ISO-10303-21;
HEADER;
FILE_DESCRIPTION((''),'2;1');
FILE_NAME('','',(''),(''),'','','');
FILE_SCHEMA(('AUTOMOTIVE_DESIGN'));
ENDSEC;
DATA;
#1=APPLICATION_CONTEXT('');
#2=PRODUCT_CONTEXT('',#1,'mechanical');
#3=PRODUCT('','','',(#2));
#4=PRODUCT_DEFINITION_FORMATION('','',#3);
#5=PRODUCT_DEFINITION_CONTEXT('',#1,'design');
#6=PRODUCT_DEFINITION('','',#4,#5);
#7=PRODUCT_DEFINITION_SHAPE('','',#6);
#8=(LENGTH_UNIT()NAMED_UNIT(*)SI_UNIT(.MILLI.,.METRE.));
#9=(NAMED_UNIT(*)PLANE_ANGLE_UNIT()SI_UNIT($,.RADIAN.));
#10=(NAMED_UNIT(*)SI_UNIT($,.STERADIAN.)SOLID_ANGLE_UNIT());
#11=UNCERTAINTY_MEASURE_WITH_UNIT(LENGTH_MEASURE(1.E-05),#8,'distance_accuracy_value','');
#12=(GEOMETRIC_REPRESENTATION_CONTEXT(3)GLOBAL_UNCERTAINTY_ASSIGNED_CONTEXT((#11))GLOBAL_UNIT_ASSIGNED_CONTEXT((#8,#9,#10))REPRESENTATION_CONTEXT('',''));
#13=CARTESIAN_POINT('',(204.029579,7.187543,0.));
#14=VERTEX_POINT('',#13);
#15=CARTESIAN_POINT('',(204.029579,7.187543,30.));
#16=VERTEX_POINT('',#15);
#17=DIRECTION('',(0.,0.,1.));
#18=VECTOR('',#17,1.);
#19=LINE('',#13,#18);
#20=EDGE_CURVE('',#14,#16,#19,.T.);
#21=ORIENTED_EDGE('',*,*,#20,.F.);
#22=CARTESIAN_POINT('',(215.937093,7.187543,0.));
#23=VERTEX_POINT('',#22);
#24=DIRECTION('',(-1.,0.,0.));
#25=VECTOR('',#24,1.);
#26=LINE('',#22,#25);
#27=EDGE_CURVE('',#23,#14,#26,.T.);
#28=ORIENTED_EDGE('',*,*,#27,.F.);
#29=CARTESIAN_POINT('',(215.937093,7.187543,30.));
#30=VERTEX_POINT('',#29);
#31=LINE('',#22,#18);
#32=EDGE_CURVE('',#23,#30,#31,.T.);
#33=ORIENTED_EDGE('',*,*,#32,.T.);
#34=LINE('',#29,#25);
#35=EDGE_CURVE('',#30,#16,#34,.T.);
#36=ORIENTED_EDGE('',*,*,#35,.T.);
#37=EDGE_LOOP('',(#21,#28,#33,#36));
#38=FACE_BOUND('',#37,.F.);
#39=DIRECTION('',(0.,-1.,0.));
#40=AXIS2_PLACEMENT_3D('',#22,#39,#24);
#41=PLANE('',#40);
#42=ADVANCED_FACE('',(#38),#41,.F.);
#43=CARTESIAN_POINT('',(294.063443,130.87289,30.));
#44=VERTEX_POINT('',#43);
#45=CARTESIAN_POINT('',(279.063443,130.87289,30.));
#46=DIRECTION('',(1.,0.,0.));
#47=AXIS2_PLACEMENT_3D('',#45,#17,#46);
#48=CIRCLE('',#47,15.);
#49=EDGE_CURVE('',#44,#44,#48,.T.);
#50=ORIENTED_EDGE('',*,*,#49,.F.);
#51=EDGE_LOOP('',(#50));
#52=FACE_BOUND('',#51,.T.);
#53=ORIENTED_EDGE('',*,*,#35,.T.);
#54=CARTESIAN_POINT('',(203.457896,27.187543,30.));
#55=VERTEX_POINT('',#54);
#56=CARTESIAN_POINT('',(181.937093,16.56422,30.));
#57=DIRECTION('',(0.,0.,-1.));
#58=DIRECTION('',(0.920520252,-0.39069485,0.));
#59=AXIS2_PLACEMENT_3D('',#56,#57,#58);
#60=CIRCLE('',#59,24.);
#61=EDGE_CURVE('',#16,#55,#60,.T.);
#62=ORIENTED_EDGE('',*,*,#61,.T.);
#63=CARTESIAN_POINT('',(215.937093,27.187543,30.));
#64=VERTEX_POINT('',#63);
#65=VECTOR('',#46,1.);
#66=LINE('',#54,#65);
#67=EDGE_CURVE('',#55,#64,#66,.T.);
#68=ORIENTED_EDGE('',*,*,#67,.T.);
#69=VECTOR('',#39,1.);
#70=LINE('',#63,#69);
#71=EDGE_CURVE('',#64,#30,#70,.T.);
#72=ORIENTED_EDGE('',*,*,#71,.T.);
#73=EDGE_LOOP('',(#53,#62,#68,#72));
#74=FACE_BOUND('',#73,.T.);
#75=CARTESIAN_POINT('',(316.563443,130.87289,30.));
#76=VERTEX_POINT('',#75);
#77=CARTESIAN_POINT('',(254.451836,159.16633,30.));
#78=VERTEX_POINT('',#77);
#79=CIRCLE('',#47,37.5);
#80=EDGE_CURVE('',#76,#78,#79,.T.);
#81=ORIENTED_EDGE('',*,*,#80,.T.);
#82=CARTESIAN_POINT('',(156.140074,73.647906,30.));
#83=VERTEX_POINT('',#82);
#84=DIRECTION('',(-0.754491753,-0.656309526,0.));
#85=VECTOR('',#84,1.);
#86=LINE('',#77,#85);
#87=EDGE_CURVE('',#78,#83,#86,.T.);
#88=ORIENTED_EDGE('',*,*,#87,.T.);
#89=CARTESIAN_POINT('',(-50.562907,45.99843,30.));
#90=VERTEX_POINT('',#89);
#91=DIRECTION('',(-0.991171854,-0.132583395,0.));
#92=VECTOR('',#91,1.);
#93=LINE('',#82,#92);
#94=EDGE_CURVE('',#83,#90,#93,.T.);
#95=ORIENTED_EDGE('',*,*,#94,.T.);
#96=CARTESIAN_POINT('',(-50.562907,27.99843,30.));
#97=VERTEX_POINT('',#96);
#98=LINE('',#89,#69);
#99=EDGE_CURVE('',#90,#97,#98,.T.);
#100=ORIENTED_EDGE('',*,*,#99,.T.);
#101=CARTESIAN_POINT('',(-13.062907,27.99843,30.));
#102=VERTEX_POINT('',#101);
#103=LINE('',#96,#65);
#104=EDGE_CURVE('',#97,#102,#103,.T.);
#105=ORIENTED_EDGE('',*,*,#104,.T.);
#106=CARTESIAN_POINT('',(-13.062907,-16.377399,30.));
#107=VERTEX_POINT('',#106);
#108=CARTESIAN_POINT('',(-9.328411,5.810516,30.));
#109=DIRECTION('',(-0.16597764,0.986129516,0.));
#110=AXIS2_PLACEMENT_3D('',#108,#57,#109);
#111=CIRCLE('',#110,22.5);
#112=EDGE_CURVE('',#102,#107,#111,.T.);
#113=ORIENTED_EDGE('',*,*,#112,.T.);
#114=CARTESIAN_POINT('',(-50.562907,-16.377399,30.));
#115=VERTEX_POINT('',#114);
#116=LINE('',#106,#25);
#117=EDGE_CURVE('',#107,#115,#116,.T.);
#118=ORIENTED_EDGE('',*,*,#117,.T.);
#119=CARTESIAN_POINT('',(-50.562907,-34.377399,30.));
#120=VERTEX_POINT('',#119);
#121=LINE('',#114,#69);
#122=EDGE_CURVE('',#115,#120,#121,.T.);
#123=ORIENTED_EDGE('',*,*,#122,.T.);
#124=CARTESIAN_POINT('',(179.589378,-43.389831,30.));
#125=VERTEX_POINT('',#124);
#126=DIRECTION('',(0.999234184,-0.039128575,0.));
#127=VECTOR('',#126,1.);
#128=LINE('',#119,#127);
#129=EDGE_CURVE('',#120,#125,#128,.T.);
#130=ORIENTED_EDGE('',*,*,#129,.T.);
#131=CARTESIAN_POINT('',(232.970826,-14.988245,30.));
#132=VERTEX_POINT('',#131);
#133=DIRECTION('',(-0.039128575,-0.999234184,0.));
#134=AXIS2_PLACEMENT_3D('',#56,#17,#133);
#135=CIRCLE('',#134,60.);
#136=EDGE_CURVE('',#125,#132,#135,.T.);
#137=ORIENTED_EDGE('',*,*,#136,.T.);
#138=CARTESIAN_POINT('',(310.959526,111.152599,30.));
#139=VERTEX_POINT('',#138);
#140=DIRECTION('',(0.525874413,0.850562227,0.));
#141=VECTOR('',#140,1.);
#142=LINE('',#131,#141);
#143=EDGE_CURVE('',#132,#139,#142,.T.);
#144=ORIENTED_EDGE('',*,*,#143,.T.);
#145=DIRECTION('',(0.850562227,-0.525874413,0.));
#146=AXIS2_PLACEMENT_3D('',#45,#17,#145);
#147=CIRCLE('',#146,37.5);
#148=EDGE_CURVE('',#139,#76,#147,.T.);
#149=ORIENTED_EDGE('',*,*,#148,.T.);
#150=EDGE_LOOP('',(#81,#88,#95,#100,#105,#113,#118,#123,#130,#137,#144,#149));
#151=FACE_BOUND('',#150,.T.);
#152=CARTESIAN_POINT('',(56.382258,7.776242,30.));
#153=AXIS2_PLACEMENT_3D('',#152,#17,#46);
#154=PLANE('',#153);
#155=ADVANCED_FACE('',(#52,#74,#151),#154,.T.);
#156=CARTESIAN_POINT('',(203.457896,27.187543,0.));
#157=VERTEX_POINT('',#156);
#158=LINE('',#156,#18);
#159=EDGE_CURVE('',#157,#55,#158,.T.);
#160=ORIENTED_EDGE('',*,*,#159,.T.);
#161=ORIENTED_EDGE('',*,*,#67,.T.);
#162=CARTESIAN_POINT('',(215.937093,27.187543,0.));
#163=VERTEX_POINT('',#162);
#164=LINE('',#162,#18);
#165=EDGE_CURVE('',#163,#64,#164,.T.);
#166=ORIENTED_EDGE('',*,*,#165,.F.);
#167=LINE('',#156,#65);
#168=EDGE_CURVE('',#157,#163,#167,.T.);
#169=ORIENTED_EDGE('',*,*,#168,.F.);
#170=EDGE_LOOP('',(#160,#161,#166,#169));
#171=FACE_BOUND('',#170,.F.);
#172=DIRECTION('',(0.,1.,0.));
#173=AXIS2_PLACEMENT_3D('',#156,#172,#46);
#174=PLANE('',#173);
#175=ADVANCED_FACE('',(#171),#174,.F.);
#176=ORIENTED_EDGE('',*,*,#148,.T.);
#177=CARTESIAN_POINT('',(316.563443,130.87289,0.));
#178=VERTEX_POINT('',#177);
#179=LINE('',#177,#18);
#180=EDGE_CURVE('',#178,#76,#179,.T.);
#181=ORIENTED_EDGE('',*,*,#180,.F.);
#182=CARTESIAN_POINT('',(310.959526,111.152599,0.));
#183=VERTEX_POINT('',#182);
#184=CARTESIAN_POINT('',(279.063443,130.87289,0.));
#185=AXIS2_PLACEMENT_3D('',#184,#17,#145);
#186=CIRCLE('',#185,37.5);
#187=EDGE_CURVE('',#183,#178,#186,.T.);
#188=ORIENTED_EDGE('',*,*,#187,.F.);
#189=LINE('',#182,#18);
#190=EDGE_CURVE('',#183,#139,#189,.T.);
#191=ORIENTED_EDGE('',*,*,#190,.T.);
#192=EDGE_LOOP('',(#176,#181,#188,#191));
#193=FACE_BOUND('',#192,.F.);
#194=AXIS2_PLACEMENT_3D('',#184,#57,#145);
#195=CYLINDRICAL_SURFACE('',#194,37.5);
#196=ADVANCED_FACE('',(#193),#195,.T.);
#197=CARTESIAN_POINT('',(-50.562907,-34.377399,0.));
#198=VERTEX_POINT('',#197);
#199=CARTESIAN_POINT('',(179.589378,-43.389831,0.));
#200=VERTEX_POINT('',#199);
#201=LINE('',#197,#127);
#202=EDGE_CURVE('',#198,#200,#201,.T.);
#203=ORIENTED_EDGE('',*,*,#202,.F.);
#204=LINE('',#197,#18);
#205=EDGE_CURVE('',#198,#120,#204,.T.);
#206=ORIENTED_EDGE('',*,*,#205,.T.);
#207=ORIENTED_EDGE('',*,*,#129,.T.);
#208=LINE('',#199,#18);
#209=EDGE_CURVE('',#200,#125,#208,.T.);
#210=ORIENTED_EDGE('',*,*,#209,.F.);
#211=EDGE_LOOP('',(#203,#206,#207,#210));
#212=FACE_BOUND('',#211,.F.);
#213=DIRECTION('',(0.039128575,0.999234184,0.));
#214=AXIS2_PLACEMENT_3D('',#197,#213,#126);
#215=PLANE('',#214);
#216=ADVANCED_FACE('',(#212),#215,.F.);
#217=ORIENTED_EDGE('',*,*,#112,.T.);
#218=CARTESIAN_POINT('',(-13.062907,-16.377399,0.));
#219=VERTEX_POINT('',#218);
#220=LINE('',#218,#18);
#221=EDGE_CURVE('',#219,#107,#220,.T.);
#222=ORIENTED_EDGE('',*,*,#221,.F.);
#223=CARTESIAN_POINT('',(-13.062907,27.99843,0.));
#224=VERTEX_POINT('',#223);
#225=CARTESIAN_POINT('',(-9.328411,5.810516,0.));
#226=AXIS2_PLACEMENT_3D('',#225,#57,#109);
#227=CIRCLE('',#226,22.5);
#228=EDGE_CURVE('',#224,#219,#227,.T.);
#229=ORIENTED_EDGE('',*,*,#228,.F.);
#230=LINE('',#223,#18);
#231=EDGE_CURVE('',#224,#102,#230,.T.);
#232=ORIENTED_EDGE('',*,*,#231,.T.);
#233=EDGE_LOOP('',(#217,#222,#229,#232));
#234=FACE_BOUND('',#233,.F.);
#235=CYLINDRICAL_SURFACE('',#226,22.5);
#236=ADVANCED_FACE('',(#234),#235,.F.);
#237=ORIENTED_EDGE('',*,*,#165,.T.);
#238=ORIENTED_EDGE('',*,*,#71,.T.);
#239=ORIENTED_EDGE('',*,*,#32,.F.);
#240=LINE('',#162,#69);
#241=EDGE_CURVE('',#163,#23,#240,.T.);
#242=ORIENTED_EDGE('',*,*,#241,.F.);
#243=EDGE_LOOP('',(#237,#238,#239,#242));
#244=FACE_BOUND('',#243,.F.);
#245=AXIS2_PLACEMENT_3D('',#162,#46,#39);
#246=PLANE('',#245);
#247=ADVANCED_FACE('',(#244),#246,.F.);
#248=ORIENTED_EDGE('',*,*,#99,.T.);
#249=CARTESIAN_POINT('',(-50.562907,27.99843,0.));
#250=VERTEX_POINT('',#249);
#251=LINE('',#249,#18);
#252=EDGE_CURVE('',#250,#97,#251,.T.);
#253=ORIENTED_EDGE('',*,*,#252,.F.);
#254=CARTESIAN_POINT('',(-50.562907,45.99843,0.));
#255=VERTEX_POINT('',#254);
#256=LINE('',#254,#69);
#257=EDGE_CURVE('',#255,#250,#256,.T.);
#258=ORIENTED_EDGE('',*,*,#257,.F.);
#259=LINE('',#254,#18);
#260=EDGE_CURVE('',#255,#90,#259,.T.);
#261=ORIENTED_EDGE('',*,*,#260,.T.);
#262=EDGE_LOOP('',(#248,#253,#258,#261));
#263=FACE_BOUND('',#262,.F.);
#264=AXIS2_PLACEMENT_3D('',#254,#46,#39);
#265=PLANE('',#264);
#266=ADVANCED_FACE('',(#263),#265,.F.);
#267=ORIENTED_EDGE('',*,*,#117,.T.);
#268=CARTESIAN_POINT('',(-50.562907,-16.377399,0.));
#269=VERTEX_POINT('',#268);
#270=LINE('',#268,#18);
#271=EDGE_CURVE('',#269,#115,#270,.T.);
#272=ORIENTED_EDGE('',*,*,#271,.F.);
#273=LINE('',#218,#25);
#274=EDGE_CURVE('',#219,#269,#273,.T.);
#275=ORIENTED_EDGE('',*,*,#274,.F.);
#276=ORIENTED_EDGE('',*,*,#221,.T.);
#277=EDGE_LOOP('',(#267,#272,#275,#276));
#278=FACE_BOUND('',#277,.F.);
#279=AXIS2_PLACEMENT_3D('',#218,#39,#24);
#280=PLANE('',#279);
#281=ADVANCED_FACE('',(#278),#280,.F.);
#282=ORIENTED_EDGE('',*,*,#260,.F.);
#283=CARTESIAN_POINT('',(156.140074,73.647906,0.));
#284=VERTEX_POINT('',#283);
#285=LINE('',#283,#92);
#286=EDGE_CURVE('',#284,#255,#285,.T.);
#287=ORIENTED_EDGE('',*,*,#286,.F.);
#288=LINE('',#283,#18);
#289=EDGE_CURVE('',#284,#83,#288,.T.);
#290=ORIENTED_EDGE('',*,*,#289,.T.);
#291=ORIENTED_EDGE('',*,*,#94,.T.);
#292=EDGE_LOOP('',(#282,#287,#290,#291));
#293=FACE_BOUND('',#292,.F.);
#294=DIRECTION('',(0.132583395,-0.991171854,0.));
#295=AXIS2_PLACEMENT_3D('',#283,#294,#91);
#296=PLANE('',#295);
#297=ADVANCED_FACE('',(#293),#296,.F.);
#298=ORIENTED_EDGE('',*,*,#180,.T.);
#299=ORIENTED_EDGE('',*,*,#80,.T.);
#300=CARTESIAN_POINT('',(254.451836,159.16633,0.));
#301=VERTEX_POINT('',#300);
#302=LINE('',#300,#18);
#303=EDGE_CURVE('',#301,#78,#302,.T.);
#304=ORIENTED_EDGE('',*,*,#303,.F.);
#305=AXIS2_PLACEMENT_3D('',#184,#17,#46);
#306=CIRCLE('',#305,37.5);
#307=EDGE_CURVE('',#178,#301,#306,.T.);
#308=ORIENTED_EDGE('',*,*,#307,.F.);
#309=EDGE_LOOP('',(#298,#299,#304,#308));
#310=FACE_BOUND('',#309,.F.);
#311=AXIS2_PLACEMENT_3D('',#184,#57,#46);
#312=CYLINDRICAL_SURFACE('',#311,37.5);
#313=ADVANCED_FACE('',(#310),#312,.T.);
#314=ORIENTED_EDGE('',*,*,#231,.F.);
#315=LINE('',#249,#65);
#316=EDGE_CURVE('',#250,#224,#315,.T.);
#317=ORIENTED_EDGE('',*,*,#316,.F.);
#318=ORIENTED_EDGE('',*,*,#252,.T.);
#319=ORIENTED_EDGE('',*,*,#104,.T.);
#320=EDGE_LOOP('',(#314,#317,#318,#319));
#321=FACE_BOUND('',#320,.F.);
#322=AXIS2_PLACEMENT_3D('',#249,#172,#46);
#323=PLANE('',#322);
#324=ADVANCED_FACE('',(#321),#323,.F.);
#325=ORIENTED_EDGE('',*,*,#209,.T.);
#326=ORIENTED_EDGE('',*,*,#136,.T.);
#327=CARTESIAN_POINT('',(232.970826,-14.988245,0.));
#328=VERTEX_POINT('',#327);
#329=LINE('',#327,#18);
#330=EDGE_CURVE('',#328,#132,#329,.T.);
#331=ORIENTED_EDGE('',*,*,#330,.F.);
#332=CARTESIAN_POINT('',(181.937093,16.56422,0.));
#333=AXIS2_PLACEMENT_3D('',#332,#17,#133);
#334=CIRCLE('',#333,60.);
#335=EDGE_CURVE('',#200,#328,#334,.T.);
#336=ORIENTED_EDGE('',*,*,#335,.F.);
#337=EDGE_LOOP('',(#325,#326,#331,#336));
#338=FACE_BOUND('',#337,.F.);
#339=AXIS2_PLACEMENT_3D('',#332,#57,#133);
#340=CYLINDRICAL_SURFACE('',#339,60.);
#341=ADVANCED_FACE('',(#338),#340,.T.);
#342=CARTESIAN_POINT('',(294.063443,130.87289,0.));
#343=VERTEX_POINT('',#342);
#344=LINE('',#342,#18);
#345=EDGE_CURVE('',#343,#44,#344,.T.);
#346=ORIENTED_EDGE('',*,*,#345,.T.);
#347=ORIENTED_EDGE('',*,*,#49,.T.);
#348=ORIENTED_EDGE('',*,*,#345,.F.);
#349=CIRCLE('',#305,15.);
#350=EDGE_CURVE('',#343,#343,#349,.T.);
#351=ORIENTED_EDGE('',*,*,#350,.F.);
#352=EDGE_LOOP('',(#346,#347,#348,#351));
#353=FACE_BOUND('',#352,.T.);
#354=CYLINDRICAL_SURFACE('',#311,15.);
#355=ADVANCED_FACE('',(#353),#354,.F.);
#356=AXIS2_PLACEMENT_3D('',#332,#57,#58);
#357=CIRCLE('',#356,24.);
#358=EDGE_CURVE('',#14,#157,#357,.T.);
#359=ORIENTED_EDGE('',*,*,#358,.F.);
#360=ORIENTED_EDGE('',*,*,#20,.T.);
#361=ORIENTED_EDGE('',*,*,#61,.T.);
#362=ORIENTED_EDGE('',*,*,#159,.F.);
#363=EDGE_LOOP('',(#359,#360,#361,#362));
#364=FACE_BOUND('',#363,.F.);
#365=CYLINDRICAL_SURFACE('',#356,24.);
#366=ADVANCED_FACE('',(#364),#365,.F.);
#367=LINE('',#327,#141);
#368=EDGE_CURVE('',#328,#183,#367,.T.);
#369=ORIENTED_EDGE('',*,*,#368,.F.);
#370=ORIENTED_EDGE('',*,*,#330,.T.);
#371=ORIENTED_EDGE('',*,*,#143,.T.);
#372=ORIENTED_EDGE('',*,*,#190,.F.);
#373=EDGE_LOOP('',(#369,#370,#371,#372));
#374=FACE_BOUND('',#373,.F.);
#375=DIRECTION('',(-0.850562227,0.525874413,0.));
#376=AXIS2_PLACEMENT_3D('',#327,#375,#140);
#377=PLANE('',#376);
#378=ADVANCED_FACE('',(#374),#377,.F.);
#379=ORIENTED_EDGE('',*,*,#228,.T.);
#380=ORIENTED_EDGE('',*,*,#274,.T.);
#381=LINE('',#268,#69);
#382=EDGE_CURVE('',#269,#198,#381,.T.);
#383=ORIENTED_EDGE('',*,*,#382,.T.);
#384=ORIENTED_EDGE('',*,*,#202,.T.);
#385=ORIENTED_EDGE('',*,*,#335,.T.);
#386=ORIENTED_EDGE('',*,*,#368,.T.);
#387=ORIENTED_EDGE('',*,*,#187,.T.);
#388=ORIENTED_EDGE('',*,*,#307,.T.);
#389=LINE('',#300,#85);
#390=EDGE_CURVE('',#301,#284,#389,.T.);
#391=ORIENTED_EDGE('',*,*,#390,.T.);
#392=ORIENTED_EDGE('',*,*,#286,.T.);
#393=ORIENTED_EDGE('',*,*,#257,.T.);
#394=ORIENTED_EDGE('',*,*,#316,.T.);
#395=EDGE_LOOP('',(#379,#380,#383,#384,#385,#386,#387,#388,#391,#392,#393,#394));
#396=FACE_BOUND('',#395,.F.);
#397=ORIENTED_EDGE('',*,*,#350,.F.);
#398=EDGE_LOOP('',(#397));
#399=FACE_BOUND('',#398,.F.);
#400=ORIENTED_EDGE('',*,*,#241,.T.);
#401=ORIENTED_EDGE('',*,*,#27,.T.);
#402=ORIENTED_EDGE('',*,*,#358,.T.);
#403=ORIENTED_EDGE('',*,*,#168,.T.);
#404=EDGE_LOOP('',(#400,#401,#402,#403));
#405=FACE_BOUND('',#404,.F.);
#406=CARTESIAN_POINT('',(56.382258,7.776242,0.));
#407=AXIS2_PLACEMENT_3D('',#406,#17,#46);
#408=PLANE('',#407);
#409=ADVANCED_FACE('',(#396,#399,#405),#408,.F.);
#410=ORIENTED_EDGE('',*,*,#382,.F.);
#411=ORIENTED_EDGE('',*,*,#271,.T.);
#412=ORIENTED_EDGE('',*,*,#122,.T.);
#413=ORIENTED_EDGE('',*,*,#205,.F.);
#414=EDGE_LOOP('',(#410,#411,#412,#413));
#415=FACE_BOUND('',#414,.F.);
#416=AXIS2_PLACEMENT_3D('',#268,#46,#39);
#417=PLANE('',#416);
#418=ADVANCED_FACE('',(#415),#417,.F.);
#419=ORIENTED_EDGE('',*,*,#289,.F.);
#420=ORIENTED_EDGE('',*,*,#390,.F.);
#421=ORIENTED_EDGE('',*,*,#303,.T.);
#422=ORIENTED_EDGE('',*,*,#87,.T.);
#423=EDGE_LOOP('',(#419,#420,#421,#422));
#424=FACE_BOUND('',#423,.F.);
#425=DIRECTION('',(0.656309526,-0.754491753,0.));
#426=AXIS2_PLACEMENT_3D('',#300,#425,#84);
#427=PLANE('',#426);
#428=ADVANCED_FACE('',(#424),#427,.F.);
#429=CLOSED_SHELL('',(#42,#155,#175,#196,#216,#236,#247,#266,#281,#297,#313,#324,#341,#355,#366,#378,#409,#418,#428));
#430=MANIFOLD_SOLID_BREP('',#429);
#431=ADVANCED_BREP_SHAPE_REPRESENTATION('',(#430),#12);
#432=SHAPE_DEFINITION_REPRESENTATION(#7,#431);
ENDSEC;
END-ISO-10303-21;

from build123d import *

# Parameters (mm, degrees)
F0_R     = 15
F1_DEPTH = 30


with BuildPart() as f1:
    # F0 (on Top) → F1 (new body)
    with BuildSketch(Plane.XY):
        with BuildLine():
            Line((156.1400739411, 73.6479063982), (-50.5629074779, 45.9984296431))
            Line((-50.5629074779, 45.9984296431), (-50.5629074779, 27.9984296431))
            Line((-50.5629074779, 27.9984296431), (-13.0629074779, 27.9984296431))
            ThreePointArc((-13.0629074779, 27.9984296431), (13.1715894205, 5.8105155249), (-13.0629074779, -16.3773985932))
            Line((-13.0629074779, -16.3773985932), (-50.5629074779, -16.3773985932))
            Line((-50.5629074779, -16.3773985932), (-50.5629074779, -34.3773985932))
            Line((-50.5629074779, -34.3773985932), (179.5893780076, -43.3898314776))
            ThreePointArc((179.5893780076, -43.3898314776), (125.3396549973, -3.3538643183), (142.5585209356, 61.8337247525))
            Line((142.5585209356, 61.8337247525), (156.1400739411, 73.6479063982))
        make_face()
        with BuildLine():
            ThreePointArc((316.5634428112, 130.8728897514), (294.6087753654, 164.9990180958), (254.4518355697, 159.1663304929))
            ThreePointArc((254.4518355697, 159.1663304929), (254.7818552389, 102.2957222051), (310.9595263244, 111.1525992739))
            ThreePointArc((310.9595263244, 111.1525992739), (315.1352679088, 120.6223563932), (316.5634428112, 130.8728897514))
        make_face()
        with Locations((279.0634428112, 130.8728897514)):
            Circle(F0_R, mode=Mode.SUBTRACT)
        with BuildLine():
            Line((173.9820887955, 76.0345307787), (156.1400739411, 73.6479063982))
            Line((156.1400739411, 73.6479063982), (142.5585209356, 61.8337247525))
            ThreePointArc((142.5585209356, 61.8337247525), (157.2281354229, 71.2402420904), (173.9820887955, 76.0345307787))
        make_face()
        with BuildLine():
            ThreePointArc((241.9370925221, 16.5642195662), (221.4510127047, 61.7156327423), (173.9820887955, 76.0345307787))
            ThreePointArc((173.9820887955, 76.0345307787), (157.2281354229, 71.2402420904), (142.5585209356, 61.8337247525))
            ThreePointArc((142.5585209356, 61.8337247525), (125.3396549973, -3.3538643183), (179.5893780076, -43.3898314776))
            ThreePointArc((179.5893780076, -43.3898314776), (210.1194387678, -36.4051617789), (232.9708261432, -14.9882451979))
            ThreePointArc((232.9708261432, -14.9882451979), (239.6520126783, 0.1633661931), (241.9370925221, 16.5642195662))
        make_face()
        with BuildLine():
            ThreePointArc((204.0295785639, 7.1875431565), (157.9468911358, 15.8784809523), (203.4578963151, 27.1875431565))
            Line((203.4578963151, 27.1875431565), (215.9370925221, 27.1875431565))
            Line((215.9370925221, 27.1875431565), (215.9370925221, 7.1875431565))
            Line((215.9370925221, 7.1875431565), (204.0295785639, 7.1875431565))
        make_face(mode=Mode.SUBTRACT)
        with BuildLine():
            Line((254.4518355697, 159.1663304929), (156.1400739411, 73.6479063982))
            Line((156.1400739411, 73.6479063982), (173.9820887955, 76.0345307787))
            ThreePointArc((173.9820887955, 76.0345307787), (221.4510127047, 61.7156327423), (241.9370925221, 16.5642195662))
            ThreePointArc((241.9370925221, 16.5642195662), (239.6520126783, 0.1633661931), (232.9708261432, -14.9882451979))
            Line((232.9708261432, -14.9882451979), (310.9595263244, 111.1525992739))
            ThreePointArc((310.9595263244, 111.1525992739), (254.7818552389, 102.2957222051), (254.4518355697, 159.1663304929))
        make_face()
    extrude(amount=F1_DEPTH)


solid = f1.part
